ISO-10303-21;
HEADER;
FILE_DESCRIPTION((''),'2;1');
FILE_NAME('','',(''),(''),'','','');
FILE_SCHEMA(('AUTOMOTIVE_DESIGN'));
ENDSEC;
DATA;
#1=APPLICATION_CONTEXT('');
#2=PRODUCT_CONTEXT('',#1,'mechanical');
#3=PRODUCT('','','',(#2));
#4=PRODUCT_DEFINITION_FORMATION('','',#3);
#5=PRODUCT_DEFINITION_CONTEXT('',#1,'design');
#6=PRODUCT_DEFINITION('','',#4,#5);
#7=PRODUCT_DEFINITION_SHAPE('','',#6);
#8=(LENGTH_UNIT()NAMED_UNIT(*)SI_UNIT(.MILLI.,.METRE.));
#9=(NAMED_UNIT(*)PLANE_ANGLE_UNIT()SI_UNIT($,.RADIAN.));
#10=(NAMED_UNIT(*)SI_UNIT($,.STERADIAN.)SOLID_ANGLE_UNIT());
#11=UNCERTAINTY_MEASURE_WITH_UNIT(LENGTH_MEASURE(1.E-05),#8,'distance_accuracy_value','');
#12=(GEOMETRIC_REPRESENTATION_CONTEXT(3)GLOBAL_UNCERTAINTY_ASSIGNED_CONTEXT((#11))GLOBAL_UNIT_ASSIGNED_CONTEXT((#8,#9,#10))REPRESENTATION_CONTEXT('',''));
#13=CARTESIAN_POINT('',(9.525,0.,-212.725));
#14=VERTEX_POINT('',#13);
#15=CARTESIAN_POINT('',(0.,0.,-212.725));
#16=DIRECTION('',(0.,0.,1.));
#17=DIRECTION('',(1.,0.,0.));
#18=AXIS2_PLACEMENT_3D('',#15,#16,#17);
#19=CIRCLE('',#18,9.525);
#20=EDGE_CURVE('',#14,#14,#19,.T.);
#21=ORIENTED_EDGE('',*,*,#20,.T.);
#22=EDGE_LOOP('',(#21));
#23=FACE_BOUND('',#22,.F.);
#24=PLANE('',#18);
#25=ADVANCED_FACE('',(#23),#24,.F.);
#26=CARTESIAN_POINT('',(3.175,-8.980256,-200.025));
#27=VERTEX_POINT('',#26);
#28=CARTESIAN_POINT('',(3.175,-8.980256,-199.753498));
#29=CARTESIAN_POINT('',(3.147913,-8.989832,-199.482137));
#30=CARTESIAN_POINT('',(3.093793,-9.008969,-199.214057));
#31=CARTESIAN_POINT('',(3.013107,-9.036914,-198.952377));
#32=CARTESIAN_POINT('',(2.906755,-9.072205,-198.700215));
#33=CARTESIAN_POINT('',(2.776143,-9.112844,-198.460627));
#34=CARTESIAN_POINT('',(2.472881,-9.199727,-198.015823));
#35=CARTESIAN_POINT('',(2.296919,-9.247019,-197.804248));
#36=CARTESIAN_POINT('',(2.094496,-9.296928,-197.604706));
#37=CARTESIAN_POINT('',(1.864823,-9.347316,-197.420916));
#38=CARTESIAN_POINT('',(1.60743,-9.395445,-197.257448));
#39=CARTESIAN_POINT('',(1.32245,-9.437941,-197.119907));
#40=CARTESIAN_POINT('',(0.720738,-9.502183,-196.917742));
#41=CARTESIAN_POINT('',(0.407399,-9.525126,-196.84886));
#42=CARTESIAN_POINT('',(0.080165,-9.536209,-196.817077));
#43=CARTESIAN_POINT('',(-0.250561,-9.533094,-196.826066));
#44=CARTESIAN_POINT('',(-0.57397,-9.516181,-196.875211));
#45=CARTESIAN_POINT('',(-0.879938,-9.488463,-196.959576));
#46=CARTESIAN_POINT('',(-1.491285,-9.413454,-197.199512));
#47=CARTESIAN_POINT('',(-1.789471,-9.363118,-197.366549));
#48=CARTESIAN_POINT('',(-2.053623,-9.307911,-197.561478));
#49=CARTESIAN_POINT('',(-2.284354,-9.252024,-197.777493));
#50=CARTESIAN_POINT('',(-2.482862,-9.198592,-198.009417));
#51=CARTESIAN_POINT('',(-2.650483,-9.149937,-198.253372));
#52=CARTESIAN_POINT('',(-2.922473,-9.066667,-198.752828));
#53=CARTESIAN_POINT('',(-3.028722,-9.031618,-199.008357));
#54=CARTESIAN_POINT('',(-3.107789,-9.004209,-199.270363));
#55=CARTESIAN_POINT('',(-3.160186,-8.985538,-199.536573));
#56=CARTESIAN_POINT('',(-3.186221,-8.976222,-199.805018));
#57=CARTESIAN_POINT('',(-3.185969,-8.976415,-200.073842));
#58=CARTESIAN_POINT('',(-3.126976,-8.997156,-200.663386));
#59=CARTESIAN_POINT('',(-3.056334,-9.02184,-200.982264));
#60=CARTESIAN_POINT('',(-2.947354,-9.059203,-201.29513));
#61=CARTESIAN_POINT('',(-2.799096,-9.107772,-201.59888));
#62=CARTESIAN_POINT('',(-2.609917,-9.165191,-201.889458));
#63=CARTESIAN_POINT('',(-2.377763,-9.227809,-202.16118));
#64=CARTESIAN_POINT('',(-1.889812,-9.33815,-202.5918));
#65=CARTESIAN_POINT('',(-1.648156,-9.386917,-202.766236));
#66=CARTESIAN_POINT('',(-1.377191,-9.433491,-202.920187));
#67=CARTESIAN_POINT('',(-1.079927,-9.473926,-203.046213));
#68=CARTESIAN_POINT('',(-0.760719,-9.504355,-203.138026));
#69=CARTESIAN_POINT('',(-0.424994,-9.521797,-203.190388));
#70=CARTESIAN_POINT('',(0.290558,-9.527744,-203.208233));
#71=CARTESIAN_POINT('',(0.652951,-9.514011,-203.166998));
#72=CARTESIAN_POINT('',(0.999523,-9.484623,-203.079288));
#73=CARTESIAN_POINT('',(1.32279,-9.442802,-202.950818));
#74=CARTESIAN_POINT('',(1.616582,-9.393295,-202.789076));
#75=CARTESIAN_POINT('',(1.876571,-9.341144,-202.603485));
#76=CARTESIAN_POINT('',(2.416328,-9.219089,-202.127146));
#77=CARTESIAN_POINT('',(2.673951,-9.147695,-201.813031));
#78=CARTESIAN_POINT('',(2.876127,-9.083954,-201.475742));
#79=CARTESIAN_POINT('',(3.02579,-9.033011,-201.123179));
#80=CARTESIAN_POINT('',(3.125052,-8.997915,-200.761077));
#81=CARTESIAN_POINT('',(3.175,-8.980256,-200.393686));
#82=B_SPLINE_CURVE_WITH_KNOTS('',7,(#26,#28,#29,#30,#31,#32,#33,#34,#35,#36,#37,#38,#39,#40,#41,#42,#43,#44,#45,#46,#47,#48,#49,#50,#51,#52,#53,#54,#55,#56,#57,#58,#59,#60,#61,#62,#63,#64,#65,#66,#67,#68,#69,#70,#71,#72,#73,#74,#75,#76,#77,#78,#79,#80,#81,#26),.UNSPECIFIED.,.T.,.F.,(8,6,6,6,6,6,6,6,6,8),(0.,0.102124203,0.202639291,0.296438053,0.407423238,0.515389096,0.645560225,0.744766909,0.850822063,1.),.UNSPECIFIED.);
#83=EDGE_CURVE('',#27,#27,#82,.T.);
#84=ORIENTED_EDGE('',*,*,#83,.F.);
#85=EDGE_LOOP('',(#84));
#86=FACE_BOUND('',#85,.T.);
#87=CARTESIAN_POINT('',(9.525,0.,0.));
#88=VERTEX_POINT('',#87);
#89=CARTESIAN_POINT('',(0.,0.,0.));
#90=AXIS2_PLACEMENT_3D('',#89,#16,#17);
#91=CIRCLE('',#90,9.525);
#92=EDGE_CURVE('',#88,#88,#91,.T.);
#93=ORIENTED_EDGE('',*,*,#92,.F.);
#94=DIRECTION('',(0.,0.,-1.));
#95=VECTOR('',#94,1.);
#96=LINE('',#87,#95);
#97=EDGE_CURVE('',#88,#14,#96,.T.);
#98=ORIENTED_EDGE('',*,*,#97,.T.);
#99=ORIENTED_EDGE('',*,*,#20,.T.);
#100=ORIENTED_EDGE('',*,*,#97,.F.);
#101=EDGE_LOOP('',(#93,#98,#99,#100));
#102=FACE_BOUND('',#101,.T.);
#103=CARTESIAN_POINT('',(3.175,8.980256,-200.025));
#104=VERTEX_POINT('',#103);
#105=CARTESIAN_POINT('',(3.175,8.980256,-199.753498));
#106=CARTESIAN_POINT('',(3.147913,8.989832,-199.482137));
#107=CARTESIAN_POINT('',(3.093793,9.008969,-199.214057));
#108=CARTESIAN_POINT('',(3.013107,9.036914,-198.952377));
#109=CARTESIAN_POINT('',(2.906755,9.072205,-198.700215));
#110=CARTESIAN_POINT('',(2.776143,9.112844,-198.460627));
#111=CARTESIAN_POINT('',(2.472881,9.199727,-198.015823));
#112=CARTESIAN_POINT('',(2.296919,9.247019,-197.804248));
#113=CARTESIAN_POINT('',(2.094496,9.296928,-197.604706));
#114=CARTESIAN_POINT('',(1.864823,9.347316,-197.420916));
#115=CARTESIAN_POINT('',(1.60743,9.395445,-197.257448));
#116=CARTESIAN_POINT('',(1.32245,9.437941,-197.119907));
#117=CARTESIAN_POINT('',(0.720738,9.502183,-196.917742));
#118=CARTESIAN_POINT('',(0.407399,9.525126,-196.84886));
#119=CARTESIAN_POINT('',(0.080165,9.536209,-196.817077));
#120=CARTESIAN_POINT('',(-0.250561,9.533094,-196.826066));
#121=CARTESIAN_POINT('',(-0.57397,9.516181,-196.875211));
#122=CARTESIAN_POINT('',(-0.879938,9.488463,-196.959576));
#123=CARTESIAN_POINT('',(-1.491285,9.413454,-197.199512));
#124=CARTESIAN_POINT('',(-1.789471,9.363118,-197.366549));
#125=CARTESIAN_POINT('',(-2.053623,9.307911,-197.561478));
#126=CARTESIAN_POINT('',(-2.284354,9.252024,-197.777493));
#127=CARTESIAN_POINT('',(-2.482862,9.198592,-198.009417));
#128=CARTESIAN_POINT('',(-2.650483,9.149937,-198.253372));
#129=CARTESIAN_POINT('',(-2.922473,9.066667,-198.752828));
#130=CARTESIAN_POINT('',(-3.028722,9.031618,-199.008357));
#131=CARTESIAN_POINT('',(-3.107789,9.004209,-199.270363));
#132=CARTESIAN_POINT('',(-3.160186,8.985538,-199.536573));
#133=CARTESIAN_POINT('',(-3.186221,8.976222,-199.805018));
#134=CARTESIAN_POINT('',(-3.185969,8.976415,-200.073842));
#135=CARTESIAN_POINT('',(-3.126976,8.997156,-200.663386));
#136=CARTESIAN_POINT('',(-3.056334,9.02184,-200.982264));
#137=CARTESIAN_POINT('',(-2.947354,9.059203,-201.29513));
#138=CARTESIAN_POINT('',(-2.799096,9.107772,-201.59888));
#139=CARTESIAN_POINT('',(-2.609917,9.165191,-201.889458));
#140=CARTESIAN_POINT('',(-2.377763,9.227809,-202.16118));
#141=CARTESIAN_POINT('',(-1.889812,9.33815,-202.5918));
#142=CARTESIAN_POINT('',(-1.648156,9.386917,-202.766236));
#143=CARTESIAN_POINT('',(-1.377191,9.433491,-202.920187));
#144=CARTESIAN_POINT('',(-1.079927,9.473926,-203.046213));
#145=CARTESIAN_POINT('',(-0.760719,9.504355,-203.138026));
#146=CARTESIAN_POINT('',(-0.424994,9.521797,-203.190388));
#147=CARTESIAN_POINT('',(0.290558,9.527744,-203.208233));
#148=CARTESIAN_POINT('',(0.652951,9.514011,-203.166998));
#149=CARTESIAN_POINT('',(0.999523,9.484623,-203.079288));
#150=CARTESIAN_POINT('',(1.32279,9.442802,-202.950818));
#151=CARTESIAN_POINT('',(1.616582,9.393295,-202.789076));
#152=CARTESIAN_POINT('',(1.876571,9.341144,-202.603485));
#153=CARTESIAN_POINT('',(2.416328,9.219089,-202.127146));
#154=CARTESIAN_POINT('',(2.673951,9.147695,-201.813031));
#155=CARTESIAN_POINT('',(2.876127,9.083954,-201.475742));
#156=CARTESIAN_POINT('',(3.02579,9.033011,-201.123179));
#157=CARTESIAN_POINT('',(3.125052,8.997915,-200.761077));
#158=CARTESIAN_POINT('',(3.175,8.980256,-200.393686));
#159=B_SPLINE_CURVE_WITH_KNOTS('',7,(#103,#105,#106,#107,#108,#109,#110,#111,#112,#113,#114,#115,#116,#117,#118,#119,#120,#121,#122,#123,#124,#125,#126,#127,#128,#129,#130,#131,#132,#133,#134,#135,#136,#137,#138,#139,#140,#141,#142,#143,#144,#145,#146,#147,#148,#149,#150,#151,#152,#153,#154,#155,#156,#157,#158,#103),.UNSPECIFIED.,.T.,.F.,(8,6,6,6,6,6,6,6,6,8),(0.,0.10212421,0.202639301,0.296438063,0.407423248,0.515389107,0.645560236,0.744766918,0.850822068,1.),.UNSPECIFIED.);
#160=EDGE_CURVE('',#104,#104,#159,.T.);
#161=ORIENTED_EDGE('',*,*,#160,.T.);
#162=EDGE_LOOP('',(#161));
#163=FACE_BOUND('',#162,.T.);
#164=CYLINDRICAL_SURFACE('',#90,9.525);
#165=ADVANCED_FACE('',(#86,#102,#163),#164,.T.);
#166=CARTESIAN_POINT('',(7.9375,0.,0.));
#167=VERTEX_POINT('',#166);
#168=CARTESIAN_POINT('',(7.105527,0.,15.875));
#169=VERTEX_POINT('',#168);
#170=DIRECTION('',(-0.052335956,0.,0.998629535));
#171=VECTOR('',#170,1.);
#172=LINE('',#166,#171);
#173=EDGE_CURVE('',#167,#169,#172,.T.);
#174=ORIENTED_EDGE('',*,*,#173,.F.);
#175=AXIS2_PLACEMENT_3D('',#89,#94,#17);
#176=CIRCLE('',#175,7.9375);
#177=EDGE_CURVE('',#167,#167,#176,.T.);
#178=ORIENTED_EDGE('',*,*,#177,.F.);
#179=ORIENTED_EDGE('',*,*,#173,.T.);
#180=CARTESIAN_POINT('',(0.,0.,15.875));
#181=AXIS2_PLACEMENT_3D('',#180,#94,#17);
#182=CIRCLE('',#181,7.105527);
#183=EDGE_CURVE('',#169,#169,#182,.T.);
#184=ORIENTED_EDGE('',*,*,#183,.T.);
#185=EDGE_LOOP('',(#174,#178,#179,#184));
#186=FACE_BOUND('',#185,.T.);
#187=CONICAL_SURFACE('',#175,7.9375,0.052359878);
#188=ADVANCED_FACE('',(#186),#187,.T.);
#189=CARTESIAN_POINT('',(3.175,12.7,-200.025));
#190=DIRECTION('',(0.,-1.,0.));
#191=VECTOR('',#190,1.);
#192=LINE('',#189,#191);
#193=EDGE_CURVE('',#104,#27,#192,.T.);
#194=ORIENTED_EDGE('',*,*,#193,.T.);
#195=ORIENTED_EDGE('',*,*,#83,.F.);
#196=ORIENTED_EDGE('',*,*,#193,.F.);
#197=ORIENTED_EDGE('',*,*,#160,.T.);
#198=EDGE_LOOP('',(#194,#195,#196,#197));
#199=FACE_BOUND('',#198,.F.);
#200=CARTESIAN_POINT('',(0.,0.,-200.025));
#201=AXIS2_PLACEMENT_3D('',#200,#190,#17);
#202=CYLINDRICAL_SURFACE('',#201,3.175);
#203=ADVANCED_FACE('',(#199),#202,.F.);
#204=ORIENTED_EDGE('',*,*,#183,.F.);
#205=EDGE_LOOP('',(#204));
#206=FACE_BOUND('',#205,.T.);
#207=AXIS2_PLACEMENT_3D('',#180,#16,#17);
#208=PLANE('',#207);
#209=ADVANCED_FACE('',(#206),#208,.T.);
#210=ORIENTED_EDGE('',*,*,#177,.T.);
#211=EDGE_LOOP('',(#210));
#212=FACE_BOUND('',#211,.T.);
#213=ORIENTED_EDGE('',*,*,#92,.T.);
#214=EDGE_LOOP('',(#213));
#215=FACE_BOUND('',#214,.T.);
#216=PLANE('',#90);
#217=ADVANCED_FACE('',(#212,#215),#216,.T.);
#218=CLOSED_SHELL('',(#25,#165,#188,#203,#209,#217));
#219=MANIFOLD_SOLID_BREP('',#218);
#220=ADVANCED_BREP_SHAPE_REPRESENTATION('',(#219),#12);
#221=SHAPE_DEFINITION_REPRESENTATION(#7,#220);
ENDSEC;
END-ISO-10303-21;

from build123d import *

# Parameters (mm, degrees)
F0_R     = 9.525
F1_DEPTH = 212.725
F2_R     = 7.9375
F3_DEPTH = 15.875
F3_TAPER = 3
F4_R     = 3.175
F5_DEPTH = 12.7


with BuildPart() as f1:
    # F0 (on Top) → F1 (new body)
    with BuildSketch(Plane.XY):
        Circle(F0_R)
    extrude(amount=-F1_DEPTH)

    # F2 (on face) → F3 (join)
    with BuildSketch(Plane.XY):
        Circle(F2_R)
    extrude(amount=F3_DEPTH, taper=F3_TAPER)

    # F4 (on Front) → F5 (cut, symmetric)
    with BuildSketch(Plane.XZ):
        with Locations((0, -200.025)):
            Circle(F4_R)
    extrude(amount=F5_DEPTH, both=True, mode=Mode.SUBTRACT)


solid = f1.part
